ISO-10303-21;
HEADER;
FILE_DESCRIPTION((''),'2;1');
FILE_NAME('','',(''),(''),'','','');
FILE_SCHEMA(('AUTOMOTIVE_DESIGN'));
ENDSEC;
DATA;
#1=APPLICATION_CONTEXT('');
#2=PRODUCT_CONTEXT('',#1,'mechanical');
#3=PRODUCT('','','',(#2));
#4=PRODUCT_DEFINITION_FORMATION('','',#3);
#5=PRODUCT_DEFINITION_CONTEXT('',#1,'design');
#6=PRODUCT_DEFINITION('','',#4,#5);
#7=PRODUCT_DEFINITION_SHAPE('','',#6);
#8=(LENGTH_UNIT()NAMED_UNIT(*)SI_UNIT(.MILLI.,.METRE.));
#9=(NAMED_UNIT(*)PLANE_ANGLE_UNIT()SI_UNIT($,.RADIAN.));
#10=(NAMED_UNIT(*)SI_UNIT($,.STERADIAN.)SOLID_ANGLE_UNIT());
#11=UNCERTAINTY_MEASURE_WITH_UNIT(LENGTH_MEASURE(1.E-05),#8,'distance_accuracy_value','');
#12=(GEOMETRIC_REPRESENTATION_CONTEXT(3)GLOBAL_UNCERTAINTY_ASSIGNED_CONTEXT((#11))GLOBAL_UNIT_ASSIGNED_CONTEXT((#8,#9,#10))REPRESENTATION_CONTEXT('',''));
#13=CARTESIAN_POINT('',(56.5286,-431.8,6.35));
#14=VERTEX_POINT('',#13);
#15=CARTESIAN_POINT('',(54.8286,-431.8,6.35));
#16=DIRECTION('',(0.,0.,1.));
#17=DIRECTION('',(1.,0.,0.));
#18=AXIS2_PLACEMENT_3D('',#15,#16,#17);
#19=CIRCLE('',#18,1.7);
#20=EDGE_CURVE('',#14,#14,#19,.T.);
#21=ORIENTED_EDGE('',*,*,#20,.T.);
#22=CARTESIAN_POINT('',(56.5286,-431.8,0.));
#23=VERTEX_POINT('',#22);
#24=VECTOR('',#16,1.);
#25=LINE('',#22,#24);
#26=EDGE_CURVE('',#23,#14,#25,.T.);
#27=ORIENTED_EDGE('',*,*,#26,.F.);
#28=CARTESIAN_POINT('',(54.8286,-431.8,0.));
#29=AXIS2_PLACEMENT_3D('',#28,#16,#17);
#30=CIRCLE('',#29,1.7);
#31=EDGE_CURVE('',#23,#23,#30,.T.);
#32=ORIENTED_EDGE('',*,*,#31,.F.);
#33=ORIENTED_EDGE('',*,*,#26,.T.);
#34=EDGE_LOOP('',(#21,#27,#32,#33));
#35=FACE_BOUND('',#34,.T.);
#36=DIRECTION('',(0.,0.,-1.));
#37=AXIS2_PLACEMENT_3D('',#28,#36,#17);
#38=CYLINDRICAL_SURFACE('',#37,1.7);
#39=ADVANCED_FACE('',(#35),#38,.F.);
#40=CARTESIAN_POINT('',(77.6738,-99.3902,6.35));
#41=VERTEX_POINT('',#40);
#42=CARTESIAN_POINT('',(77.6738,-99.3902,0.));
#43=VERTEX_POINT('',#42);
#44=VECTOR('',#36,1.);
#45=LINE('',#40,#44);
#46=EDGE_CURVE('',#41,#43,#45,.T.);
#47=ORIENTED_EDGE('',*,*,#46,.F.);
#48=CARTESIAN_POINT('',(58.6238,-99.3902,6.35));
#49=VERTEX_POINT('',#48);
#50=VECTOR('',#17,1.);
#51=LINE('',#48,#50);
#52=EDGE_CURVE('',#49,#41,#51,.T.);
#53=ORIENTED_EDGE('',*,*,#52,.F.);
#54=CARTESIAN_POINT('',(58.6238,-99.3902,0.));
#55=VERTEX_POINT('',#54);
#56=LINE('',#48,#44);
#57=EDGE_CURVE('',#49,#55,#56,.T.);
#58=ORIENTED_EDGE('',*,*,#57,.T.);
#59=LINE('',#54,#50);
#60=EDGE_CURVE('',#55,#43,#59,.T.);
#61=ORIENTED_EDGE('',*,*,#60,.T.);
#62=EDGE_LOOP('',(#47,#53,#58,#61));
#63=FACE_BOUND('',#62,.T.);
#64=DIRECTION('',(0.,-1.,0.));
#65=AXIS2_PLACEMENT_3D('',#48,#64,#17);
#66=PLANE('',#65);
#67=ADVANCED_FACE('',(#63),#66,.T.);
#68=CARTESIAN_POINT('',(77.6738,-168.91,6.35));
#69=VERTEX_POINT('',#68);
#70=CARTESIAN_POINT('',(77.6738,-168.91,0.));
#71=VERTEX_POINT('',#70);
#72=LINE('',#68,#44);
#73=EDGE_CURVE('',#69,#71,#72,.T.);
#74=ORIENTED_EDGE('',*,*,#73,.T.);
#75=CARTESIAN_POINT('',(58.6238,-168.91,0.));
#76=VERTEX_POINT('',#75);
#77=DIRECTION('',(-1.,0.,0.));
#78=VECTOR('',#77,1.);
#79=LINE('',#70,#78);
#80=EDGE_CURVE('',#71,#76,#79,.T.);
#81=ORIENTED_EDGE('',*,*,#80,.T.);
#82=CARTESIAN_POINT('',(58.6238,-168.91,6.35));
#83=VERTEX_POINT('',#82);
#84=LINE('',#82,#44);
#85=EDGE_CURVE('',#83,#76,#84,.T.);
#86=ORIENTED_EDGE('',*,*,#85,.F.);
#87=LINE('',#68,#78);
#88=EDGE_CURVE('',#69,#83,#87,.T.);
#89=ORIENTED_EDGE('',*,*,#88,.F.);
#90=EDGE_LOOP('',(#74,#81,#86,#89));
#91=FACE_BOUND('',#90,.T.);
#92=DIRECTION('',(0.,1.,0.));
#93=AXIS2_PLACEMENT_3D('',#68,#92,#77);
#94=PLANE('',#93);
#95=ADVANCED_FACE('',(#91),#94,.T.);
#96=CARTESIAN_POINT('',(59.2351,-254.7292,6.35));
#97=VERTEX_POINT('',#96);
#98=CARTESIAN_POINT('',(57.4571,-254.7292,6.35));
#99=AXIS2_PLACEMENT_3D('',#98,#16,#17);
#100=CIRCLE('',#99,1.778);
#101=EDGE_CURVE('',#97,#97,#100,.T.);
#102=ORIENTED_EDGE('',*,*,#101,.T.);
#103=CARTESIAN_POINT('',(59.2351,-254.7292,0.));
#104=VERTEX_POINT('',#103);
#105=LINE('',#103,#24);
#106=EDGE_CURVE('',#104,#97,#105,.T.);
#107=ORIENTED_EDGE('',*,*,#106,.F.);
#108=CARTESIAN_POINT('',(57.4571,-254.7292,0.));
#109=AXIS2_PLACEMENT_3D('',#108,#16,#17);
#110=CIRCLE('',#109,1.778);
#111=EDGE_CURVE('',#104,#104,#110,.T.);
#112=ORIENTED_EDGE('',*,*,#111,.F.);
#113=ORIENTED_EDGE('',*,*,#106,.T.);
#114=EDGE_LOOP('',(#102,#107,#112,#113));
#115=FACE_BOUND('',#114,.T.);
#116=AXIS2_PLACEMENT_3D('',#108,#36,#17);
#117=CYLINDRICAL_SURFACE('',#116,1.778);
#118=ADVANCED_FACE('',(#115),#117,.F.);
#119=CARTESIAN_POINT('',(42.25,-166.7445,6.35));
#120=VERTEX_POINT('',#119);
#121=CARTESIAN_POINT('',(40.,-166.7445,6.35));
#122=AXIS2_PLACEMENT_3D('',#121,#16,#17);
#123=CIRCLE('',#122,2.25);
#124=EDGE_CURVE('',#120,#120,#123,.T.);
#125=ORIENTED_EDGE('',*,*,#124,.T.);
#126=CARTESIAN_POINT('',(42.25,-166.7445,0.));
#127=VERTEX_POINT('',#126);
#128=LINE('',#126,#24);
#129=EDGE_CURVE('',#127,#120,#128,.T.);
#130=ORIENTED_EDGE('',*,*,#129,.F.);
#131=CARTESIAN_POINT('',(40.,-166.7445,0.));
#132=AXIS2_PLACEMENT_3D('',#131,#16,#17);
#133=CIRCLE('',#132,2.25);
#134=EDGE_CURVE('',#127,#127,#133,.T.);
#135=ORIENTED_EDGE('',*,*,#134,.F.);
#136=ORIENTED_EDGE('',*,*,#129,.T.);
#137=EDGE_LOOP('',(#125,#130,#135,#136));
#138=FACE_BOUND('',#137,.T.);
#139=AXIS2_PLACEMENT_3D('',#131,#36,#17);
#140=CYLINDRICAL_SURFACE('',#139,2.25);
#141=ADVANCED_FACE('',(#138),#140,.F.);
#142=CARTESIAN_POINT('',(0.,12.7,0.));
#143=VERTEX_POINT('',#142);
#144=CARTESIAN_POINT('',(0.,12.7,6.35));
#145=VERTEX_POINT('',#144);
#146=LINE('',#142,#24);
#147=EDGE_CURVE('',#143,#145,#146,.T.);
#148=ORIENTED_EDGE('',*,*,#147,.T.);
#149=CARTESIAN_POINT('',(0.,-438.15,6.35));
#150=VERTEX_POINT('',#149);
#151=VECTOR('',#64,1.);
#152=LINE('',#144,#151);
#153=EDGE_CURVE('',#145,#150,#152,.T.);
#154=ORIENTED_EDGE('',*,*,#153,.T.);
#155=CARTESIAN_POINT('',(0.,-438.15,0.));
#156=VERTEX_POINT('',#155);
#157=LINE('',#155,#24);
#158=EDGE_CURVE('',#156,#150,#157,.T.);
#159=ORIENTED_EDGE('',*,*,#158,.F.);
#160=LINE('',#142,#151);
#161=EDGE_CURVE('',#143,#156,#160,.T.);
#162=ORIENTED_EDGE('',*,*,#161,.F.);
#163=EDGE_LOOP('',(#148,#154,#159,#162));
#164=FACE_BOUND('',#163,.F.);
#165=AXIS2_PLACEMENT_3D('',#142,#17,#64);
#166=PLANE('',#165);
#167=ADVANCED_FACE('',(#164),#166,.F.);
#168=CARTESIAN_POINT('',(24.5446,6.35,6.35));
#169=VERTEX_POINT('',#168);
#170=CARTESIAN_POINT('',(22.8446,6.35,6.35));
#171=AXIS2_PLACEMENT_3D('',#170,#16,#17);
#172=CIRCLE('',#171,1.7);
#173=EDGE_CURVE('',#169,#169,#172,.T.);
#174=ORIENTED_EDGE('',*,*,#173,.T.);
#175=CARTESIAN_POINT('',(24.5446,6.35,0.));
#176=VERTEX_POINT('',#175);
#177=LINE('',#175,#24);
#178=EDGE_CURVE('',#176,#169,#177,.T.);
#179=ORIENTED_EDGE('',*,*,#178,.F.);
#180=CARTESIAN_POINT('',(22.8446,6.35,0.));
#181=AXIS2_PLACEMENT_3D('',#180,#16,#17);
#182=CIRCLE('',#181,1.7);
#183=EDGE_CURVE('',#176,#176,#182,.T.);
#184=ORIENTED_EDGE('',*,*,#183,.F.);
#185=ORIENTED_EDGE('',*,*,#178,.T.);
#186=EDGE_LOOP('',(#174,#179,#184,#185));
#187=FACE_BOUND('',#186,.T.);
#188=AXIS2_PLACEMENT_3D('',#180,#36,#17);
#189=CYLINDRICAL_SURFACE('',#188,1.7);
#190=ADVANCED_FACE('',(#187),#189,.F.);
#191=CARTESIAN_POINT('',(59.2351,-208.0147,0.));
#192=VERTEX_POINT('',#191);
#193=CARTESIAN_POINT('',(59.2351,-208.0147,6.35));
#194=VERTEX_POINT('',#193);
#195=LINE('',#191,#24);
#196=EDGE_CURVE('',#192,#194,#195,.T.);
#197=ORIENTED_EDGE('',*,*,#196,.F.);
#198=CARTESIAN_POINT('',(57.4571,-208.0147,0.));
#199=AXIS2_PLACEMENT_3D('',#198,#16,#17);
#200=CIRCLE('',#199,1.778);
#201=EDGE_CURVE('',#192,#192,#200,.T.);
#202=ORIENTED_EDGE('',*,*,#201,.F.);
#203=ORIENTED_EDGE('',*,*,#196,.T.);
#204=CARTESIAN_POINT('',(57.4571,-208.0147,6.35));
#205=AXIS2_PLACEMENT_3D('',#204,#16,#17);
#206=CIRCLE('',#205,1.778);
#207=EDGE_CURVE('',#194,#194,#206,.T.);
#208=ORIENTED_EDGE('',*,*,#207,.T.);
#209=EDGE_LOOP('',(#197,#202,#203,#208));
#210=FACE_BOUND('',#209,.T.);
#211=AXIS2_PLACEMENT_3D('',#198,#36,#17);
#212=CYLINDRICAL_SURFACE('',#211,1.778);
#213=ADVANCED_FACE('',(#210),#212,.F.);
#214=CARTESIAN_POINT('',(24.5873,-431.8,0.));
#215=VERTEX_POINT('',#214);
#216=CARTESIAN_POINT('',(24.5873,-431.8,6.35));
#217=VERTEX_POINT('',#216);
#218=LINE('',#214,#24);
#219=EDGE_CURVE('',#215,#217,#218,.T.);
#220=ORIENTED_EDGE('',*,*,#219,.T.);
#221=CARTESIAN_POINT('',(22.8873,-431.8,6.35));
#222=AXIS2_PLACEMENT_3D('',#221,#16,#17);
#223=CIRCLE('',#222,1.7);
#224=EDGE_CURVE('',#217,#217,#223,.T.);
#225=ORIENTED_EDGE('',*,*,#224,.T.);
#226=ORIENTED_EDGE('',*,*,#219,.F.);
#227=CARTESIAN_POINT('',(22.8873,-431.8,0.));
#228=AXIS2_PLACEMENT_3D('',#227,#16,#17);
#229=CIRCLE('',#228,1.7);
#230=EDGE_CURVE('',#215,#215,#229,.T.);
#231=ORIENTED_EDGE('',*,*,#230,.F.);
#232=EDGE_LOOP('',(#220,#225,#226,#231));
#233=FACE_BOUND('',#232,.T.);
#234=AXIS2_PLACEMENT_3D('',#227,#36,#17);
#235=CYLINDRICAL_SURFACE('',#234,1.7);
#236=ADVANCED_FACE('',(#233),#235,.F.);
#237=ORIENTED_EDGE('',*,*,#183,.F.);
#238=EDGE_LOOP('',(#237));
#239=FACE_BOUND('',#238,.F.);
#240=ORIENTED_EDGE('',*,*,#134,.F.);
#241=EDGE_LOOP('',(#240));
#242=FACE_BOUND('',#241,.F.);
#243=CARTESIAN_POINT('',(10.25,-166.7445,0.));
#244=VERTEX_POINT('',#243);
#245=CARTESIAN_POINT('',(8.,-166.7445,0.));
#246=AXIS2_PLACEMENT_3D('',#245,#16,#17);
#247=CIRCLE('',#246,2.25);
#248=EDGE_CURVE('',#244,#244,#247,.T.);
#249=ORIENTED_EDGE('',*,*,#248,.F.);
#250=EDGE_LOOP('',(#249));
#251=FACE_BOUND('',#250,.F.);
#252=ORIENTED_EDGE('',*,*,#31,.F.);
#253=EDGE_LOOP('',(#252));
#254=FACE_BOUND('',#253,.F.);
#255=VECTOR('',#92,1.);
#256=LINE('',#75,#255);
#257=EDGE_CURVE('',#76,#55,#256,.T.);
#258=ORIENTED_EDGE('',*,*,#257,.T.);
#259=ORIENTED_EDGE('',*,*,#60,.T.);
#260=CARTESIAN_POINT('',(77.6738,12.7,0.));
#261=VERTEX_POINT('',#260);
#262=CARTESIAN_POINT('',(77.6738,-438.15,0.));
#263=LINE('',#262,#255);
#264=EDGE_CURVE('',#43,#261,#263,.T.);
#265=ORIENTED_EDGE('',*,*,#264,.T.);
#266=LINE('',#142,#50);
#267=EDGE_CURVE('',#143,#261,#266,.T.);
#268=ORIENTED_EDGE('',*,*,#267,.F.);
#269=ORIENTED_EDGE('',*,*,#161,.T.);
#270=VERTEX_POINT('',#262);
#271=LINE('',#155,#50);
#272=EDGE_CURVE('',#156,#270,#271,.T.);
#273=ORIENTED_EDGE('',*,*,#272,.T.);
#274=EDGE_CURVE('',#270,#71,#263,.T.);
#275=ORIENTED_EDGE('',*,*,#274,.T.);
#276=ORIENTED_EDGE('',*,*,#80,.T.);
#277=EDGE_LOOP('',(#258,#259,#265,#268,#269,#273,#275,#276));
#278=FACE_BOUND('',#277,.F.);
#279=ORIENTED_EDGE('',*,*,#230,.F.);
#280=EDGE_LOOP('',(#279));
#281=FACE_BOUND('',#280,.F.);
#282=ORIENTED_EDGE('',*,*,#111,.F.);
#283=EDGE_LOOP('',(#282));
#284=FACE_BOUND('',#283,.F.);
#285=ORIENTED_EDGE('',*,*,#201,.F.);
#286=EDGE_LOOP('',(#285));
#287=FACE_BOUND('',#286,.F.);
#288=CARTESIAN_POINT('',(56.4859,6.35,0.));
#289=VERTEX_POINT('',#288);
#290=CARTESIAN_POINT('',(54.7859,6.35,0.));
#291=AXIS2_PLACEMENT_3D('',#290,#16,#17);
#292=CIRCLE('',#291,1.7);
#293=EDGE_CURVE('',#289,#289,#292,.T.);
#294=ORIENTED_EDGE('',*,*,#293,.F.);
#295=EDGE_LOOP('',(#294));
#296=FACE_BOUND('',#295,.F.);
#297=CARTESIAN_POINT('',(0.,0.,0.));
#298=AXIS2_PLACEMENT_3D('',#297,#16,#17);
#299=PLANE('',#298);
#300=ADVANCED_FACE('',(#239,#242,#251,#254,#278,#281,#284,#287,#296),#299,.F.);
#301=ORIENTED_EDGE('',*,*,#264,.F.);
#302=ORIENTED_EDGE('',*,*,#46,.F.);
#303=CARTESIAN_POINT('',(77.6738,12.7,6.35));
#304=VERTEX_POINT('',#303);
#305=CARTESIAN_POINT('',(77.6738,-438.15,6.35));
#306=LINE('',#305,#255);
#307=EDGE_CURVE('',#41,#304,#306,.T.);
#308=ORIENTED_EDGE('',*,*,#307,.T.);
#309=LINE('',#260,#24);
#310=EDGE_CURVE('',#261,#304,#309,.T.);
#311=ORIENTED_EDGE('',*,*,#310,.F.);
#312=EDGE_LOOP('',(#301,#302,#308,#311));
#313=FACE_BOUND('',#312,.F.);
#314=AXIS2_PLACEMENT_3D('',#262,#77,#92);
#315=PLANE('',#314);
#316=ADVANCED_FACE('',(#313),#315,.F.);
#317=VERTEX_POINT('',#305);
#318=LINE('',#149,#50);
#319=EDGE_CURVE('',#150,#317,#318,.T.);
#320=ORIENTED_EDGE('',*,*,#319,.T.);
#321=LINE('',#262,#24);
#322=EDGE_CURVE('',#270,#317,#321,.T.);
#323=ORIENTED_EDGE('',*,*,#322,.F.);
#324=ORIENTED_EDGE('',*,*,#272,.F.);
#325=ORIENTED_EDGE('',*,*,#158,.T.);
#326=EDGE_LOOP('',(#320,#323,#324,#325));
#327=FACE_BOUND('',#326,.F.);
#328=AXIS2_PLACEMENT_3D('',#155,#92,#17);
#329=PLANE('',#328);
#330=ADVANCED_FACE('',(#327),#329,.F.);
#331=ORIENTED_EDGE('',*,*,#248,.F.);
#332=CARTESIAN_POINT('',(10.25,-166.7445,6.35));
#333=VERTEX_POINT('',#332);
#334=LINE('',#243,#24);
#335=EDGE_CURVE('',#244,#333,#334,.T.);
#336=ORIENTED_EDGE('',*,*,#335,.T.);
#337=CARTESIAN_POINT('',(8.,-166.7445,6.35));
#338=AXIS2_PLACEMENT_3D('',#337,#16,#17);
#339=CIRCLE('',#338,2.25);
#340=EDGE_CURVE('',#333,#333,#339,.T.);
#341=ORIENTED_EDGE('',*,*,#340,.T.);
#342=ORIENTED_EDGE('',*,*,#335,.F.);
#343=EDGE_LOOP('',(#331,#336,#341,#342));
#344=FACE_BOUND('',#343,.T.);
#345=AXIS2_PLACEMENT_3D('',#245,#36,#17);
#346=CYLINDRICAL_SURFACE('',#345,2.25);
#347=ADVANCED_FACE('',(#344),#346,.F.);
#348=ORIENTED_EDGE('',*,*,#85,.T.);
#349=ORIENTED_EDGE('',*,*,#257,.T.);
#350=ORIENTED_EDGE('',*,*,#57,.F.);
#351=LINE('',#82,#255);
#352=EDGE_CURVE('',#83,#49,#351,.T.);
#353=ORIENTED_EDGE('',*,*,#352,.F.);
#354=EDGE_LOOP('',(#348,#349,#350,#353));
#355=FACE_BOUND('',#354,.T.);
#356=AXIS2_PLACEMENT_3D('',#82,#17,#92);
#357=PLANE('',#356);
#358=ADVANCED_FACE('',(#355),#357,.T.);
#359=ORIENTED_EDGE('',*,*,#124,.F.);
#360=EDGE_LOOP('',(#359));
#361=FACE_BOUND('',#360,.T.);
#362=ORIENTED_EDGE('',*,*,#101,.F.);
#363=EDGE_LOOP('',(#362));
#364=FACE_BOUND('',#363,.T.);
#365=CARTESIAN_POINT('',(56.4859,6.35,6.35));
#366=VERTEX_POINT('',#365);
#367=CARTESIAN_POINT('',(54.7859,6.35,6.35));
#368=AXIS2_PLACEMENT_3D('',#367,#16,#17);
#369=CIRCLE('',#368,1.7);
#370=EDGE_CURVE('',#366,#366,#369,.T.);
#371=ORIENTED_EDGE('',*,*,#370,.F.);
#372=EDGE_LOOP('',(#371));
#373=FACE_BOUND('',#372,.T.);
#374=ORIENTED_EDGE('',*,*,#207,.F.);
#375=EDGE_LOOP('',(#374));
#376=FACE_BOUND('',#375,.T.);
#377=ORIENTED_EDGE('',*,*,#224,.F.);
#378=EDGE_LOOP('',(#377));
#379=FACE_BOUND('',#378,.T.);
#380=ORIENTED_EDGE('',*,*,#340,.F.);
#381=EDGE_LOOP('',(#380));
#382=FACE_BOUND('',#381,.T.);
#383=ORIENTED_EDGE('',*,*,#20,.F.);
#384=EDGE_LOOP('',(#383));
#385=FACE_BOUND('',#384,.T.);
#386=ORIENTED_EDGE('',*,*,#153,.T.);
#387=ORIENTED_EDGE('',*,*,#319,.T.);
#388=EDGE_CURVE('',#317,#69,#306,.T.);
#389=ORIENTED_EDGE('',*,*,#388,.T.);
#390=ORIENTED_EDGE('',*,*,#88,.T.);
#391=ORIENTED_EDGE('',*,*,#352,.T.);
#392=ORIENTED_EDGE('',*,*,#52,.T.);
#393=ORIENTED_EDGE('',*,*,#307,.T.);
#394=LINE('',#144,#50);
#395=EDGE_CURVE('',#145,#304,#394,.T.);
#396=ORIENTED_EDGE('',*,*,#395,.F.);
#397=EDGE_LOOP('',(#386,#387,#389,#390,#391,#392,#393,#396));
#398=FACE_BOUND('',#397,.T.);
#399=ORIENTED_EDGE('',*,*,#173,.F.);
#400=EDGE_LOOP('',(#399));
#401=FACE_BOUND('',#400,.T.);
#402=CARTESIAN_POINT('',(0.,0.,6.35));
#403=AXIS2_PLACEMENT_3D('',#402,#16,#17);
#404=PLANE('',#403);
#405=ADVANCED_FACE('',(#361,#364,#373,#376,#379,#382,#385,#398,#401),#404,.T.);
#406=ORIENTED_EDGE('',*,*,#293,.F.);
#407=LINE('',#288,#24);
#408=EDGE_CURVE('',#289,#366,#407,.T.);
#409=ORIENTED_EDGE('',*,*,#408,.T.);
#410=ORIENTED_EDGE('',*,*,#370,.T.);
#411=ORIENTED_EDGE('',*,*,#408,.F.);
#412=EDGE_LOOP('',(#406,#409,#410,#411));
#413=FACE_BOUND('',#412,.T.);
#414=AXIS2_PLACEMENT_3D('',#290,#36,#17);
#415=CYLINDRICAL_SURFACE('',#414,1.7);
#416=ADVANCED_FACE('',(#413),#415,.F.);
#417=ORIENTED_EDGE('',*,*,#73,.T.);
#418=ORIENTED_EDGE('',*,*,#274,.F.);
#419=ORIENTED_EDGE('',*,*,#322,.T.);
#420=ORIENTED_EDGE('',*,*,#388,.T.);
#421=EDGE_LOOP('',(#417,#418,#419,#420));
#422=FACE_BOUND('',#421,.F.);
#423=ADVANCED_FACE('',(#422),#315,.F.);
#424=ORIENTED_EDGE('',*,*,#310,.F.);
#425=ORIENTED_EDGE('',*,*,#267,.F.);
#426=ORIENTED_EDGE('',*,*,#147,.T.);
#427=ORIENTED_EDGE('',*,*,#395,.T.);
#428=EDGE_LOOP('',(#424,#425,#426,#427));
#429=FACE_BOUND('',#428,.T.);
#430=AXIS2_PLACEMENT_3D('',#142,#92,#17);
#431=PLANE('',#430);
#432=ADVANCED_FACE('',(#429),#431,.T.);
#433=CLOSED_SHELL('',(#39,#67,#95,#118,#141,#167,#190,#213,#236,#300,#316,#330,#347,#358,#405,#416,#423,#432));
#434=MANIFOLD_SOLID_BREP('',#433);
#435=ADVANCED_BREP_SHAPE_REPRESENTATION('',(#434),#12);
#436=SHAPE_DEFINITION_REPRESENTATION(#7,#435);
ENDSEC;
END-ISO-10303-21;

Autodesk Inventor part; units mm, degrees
ref_plane "YZ Plane" through (0, 0, 0) normal (1, 0, 0) x (0, 1, 0)
ref_plane "XZ Plane" through (0, 0, 0) normal (0, 1, 0) x (-1, 0, 0)
ref_plane "XY Plane" through (0, 0, 0) normal (0, 0, 1) x (1, 0, 0)
ref_plane "Work Plane1" through (0, 0, 0) normal (0, 0, 1) x (1, 0, 0)
sketch "Sketch1" plane through (0, 0, 0) normal (0, 0, 1) x (1, 0, 0)
  line L0 (0, -438.15) -> (0, 12.7) construction
  line L1 (77.6738, 12.7) -> (77.6738, -438.15) construction
  line L2 (0, 12.7) -> (77.6738, 12.7)
  line L3 (0, 12.7) -> (0, -438.15)
  line L4 (0, -438.15) -> (77.6738, -438.15)
  line L5 (77.6738, -438.15) -> (77.6738, 12.7)
  circle A0 centre (54.7859, 6.35) radius 1.7 construction
  arc A1 (22.7012, 8.05) -> (22.9879, 8.05) centre (22.8446, 6.35) ccw construction
  circle A2 centre (54.7859, 6.35) radius 1.7
  circle A3 centre (22.8446, 6.35) radius 1.7
  arc A4 (54.972, -433.5) -> (54.6853, -433.5) centre (54.8286, -431.8) ccw construction
  circle A5 centre (22.8873, -431.8) radius 1.7 construction
  circle A6 centre (54.8286, -431.8) radius 1.7
  circle A7 centre (22.8873, -431.8) radius 1.7
  ellipse E0 centre (57.4571, -254.7292) end of major axis (57.4571, -252.7988) minor radius 1.9304 construction
  ellipse E1 centre (57.4571, -208.0147) end of major axis (57.4571, -206.0843) minor radius 1.9304 construction
  circle A8 centre (57.4571, -208.0147) radius 1.778
  circle A9 centre (57.4571, -254.7292) radius 1.778
  circle A10 centre (40, -166.7445) radius 1.9304 construction
  circle A11 centre (8, -166.7445) radius 1.9304 construction
  circle A12 centre (8, -166.7445) radius 2.25
  circle A13 centre (40, -166.7445) radius 2.25
  line L6 (87.6732, -438.15) -> (87.6732, 12.7) construction
  point P0 (0, 0)
  dimension "d0" = 3.4
  dimension "d1" = 3.4
  dimension "d2" = 3.4
  dimension "d3" = 3.4
  dimension "d4" = 3.556
  dimension "d5" = 3.556
  dimension "d6" = 4.5
  dimension "d7" = 4.5
extrude "Extrusion1" add sketch "Sketch1" along normal blind 6.35
sketch "Sketch2" plane through (0, 0, 6.35) normal (0, 0, 1) x (1, 0, 0)
  line L0 (77.6738, -438.15) -> (77.6738, 12.7) projected
  line L1 (77.6738, -99.3902) -> (77.6738, -168.91)
  line L2 (77.6738, -168.91) -> (58.6238, -168.91)
  line L3 (58.6238, -168.91) -> (58.6238, -99.3902)
  line L4 (58.6238, -99.3902) -> (77.6738, -99.3902)
  line L5 (77.6738, 12.7) -> (0, 12.7) projected
  line L6 (0, -438.15) -> (77.6738, -438.15) projected
  point P0 (0, 0)
  dimension "d10" = 19.05
  dimension "d13" = 112.0902
  dimension "d14" = 269.24
extrude "Extrusion2" cut sketch "Sketch2" against normal blind 6.35
properties part number "top of metal drivetrain"
